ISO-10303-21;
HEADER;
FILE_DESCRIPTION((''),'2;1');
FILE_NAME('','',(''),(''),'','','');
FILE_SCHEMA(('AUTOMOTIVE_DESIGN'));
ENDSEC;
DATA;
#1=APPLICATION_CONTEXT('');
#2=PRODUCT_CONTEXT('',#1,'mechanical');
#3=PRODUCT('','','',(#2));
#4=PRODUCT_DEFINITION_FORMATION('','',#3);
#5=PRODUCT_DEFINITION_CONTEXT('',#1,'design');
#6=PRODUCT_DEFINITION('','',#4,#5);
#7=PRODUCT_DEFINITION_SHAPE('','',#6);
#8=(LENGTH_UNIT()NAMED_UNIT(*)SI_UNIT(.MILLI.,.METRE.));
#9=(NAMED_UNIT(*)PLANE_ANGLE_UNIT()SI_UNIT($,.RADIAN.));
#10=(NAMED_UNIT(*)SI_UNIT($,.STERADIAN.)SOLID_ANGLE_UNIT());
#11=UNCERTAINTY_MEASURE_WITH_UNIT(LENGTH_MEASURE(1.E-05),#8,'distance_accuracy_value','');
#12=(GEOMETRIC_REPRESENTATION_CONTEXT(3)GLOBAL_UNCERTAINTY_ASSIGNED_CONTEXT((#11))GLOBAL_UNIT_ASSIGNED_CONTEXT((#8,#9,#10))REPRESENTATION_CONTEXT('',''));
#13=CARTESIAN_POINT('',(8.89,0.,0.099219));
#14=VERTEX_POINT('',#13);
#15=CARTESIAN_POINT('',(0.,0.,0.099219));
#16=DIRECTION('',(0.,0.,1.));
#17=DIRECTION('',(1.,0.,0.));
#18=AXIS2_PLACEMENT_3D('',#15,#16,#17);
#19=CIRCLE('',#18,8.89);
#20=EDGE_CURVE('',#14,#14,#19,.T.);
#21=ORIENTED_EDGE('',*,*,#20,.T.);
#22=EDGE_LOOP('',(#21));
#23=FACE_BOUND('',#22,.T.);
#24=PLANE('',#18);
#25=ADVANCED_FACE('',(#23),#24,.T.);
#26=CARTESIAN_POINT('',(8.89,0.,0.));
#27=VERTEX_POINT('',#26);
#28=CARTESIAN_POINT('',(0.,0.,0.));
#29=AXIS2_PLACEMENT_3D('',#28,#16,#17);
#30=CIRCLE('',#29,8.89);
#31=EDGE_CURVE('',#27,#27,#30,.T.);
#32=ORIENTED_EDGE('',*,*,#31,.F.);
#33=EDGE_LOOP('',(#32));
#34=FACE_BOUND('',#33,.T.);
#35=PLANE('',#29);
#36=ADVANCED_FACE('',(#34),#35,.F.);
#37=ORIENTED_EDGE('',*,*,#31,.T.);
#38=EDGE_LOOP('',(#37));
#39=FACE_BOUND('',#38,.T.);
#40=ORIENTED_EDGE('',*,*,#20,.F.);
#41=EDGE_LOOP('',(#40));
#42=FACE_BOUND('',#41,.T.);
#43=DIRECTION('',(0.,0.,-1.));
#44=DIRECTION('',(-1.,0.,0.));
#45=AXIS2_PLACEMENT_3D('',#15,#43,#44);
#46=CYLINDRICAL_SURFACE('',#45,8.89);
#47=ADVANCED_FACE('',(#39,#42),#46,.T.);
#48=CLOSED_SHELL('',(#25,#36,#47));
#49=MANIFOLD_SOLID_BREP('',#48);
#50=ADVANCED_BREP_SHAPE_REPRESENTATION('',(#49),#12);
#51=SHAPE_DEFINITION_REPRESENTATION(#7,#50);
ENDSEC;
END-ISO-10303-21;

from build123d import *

# Parameters (mm, degrees)
SKETCH1_R           = 8.89
BOSS_EXTRUDE1_DEPTH = 0.09921875


with BuildPart() as part:
    # Sketch1 → Boss-Extrude1 (new body)
    with BuildSketch(Plane.XY):
        Circle(SKETCH1_R)
    extrude(amount=BOSS_EXTRUDE1_DEPTH)


solid = part.part
